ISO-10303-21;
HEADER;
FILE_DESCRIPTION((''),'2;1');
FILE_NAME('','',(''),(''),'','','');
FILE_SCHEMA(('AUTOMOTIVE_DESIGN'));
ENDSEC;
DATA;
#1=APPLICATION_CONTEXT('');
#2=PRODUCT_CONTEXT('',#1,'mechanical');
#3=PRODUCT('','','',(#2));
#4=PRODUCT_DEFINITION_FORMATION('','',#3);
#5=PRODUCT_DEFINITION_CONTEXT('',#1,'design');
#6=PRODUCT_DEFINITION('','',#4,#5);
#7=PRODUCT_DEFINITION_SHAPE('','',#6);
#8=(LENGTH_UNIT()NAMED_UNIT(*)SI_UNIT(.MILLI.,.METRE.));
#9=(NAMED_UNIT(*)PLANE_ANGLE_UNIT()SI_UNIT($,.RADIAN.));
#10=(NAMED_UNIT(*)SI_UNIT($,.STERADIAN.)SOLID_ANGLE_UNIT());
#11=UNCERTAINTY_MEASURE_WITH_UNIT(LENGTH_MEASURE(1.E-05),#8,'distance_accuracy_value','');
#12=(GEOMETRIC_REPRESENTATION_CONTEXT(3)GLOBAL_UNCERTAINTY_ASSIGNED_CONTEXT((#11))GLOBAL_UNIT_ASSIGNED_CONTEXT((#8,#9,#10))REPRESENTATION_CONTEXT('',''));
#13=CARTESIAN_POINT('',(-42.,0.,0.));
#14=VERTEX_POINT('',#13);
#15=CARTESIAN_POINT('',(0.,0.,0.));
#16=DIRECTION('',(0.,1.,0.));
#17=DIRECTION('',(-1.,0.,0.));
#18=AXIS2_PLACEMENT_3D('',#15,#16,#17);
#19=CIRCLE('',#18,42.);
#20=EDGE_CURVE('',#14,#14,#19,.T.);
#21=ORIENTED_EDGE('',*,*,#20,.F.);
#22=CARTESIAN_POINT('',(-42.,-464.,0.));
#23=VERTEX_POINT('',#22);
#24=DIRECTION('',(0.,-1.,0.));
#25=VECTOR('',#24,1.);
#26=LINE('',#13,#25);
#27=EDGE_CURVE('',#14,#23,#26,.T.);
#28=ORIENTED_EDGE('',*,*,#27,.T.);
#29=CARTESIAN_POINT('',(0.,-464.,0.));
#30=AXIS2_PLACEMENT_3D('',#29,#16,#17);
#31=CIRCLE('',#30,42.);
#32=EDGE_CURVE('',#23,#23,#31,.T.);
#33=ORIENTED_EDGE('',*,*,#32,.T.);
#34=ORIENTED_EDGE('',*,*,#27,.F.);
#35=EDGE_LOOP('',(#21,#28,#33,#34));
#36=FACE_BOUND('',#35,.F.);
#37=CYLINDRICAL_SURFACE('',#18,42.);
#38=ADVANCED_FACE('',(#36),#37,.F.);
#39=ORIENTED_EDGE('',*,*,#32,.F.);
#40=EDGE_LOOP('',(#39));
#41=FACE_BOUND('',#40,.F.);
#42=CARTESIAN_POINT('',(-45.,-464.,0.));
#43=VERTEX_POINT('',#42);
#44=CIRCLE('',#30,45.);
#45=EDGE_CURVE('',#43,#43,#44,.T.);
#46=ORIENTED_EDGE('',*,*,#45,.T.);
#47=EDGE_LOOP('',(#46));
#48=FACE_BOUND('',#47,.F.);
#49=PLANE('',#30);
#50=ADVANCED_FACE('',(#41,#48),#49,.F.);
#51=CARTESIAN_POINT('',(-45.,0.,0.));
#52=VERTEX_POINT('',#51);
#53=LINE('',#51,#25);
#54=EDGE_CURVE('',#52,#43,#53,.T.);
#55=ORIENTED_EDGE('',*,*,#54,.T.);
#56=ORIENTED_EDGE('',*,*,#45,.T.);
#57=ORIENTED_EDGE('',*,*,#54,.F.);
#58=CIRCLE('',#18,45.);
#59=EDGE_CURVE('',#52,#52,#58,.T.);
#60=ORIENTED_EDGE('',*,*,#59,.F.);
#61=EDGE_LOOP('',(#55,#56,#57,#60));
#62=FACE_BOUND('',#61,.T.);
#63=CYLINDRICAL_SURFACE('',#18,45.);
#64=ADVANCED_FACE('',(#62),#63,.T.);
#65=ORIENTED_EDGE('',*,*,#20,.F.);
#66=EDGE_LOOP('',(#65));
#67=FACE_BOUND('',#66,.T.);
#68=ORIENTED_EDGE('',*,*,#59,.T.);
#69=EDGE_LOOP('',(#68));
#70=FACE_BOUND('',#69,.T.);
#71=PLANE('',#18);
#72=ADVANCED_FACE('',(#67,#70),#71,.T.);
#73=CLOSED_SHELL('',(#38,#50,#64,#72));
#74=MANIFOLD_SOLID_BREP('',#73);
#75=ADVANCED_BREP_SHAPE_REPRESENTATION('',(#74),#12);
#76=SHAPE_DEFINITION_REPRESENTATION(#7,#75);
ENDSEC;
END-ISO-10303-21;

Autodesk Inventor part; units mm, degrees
ref_plane "YZ Plane" through (0, 0, 0) normal (1, 0, 0) x (0, 1, 0)
ref_plane "XZ Plane" through (0, 0, 0) normal (0, 1, 0) x (-1, 0, 0)
ref_plane "XY Plane" through (0, 0, 0) normal (0, 0, 1) x (1, 0, 0)
sketch "Sketch1" plane through (0, 0, 0) normal (0, 1, 0) x (-1, 0, 0)
  circle A0 centre (0, 0) radius 45
  circle A1 centre (0, 0) radius 42
  dimension "d0" = 90
  dimension "d1" = 3
extrude "Extrusion1" add sketch "Sketch1" against normal blind 464
properties part number "PRS 9615 FDS tube 5_D1200 940"
